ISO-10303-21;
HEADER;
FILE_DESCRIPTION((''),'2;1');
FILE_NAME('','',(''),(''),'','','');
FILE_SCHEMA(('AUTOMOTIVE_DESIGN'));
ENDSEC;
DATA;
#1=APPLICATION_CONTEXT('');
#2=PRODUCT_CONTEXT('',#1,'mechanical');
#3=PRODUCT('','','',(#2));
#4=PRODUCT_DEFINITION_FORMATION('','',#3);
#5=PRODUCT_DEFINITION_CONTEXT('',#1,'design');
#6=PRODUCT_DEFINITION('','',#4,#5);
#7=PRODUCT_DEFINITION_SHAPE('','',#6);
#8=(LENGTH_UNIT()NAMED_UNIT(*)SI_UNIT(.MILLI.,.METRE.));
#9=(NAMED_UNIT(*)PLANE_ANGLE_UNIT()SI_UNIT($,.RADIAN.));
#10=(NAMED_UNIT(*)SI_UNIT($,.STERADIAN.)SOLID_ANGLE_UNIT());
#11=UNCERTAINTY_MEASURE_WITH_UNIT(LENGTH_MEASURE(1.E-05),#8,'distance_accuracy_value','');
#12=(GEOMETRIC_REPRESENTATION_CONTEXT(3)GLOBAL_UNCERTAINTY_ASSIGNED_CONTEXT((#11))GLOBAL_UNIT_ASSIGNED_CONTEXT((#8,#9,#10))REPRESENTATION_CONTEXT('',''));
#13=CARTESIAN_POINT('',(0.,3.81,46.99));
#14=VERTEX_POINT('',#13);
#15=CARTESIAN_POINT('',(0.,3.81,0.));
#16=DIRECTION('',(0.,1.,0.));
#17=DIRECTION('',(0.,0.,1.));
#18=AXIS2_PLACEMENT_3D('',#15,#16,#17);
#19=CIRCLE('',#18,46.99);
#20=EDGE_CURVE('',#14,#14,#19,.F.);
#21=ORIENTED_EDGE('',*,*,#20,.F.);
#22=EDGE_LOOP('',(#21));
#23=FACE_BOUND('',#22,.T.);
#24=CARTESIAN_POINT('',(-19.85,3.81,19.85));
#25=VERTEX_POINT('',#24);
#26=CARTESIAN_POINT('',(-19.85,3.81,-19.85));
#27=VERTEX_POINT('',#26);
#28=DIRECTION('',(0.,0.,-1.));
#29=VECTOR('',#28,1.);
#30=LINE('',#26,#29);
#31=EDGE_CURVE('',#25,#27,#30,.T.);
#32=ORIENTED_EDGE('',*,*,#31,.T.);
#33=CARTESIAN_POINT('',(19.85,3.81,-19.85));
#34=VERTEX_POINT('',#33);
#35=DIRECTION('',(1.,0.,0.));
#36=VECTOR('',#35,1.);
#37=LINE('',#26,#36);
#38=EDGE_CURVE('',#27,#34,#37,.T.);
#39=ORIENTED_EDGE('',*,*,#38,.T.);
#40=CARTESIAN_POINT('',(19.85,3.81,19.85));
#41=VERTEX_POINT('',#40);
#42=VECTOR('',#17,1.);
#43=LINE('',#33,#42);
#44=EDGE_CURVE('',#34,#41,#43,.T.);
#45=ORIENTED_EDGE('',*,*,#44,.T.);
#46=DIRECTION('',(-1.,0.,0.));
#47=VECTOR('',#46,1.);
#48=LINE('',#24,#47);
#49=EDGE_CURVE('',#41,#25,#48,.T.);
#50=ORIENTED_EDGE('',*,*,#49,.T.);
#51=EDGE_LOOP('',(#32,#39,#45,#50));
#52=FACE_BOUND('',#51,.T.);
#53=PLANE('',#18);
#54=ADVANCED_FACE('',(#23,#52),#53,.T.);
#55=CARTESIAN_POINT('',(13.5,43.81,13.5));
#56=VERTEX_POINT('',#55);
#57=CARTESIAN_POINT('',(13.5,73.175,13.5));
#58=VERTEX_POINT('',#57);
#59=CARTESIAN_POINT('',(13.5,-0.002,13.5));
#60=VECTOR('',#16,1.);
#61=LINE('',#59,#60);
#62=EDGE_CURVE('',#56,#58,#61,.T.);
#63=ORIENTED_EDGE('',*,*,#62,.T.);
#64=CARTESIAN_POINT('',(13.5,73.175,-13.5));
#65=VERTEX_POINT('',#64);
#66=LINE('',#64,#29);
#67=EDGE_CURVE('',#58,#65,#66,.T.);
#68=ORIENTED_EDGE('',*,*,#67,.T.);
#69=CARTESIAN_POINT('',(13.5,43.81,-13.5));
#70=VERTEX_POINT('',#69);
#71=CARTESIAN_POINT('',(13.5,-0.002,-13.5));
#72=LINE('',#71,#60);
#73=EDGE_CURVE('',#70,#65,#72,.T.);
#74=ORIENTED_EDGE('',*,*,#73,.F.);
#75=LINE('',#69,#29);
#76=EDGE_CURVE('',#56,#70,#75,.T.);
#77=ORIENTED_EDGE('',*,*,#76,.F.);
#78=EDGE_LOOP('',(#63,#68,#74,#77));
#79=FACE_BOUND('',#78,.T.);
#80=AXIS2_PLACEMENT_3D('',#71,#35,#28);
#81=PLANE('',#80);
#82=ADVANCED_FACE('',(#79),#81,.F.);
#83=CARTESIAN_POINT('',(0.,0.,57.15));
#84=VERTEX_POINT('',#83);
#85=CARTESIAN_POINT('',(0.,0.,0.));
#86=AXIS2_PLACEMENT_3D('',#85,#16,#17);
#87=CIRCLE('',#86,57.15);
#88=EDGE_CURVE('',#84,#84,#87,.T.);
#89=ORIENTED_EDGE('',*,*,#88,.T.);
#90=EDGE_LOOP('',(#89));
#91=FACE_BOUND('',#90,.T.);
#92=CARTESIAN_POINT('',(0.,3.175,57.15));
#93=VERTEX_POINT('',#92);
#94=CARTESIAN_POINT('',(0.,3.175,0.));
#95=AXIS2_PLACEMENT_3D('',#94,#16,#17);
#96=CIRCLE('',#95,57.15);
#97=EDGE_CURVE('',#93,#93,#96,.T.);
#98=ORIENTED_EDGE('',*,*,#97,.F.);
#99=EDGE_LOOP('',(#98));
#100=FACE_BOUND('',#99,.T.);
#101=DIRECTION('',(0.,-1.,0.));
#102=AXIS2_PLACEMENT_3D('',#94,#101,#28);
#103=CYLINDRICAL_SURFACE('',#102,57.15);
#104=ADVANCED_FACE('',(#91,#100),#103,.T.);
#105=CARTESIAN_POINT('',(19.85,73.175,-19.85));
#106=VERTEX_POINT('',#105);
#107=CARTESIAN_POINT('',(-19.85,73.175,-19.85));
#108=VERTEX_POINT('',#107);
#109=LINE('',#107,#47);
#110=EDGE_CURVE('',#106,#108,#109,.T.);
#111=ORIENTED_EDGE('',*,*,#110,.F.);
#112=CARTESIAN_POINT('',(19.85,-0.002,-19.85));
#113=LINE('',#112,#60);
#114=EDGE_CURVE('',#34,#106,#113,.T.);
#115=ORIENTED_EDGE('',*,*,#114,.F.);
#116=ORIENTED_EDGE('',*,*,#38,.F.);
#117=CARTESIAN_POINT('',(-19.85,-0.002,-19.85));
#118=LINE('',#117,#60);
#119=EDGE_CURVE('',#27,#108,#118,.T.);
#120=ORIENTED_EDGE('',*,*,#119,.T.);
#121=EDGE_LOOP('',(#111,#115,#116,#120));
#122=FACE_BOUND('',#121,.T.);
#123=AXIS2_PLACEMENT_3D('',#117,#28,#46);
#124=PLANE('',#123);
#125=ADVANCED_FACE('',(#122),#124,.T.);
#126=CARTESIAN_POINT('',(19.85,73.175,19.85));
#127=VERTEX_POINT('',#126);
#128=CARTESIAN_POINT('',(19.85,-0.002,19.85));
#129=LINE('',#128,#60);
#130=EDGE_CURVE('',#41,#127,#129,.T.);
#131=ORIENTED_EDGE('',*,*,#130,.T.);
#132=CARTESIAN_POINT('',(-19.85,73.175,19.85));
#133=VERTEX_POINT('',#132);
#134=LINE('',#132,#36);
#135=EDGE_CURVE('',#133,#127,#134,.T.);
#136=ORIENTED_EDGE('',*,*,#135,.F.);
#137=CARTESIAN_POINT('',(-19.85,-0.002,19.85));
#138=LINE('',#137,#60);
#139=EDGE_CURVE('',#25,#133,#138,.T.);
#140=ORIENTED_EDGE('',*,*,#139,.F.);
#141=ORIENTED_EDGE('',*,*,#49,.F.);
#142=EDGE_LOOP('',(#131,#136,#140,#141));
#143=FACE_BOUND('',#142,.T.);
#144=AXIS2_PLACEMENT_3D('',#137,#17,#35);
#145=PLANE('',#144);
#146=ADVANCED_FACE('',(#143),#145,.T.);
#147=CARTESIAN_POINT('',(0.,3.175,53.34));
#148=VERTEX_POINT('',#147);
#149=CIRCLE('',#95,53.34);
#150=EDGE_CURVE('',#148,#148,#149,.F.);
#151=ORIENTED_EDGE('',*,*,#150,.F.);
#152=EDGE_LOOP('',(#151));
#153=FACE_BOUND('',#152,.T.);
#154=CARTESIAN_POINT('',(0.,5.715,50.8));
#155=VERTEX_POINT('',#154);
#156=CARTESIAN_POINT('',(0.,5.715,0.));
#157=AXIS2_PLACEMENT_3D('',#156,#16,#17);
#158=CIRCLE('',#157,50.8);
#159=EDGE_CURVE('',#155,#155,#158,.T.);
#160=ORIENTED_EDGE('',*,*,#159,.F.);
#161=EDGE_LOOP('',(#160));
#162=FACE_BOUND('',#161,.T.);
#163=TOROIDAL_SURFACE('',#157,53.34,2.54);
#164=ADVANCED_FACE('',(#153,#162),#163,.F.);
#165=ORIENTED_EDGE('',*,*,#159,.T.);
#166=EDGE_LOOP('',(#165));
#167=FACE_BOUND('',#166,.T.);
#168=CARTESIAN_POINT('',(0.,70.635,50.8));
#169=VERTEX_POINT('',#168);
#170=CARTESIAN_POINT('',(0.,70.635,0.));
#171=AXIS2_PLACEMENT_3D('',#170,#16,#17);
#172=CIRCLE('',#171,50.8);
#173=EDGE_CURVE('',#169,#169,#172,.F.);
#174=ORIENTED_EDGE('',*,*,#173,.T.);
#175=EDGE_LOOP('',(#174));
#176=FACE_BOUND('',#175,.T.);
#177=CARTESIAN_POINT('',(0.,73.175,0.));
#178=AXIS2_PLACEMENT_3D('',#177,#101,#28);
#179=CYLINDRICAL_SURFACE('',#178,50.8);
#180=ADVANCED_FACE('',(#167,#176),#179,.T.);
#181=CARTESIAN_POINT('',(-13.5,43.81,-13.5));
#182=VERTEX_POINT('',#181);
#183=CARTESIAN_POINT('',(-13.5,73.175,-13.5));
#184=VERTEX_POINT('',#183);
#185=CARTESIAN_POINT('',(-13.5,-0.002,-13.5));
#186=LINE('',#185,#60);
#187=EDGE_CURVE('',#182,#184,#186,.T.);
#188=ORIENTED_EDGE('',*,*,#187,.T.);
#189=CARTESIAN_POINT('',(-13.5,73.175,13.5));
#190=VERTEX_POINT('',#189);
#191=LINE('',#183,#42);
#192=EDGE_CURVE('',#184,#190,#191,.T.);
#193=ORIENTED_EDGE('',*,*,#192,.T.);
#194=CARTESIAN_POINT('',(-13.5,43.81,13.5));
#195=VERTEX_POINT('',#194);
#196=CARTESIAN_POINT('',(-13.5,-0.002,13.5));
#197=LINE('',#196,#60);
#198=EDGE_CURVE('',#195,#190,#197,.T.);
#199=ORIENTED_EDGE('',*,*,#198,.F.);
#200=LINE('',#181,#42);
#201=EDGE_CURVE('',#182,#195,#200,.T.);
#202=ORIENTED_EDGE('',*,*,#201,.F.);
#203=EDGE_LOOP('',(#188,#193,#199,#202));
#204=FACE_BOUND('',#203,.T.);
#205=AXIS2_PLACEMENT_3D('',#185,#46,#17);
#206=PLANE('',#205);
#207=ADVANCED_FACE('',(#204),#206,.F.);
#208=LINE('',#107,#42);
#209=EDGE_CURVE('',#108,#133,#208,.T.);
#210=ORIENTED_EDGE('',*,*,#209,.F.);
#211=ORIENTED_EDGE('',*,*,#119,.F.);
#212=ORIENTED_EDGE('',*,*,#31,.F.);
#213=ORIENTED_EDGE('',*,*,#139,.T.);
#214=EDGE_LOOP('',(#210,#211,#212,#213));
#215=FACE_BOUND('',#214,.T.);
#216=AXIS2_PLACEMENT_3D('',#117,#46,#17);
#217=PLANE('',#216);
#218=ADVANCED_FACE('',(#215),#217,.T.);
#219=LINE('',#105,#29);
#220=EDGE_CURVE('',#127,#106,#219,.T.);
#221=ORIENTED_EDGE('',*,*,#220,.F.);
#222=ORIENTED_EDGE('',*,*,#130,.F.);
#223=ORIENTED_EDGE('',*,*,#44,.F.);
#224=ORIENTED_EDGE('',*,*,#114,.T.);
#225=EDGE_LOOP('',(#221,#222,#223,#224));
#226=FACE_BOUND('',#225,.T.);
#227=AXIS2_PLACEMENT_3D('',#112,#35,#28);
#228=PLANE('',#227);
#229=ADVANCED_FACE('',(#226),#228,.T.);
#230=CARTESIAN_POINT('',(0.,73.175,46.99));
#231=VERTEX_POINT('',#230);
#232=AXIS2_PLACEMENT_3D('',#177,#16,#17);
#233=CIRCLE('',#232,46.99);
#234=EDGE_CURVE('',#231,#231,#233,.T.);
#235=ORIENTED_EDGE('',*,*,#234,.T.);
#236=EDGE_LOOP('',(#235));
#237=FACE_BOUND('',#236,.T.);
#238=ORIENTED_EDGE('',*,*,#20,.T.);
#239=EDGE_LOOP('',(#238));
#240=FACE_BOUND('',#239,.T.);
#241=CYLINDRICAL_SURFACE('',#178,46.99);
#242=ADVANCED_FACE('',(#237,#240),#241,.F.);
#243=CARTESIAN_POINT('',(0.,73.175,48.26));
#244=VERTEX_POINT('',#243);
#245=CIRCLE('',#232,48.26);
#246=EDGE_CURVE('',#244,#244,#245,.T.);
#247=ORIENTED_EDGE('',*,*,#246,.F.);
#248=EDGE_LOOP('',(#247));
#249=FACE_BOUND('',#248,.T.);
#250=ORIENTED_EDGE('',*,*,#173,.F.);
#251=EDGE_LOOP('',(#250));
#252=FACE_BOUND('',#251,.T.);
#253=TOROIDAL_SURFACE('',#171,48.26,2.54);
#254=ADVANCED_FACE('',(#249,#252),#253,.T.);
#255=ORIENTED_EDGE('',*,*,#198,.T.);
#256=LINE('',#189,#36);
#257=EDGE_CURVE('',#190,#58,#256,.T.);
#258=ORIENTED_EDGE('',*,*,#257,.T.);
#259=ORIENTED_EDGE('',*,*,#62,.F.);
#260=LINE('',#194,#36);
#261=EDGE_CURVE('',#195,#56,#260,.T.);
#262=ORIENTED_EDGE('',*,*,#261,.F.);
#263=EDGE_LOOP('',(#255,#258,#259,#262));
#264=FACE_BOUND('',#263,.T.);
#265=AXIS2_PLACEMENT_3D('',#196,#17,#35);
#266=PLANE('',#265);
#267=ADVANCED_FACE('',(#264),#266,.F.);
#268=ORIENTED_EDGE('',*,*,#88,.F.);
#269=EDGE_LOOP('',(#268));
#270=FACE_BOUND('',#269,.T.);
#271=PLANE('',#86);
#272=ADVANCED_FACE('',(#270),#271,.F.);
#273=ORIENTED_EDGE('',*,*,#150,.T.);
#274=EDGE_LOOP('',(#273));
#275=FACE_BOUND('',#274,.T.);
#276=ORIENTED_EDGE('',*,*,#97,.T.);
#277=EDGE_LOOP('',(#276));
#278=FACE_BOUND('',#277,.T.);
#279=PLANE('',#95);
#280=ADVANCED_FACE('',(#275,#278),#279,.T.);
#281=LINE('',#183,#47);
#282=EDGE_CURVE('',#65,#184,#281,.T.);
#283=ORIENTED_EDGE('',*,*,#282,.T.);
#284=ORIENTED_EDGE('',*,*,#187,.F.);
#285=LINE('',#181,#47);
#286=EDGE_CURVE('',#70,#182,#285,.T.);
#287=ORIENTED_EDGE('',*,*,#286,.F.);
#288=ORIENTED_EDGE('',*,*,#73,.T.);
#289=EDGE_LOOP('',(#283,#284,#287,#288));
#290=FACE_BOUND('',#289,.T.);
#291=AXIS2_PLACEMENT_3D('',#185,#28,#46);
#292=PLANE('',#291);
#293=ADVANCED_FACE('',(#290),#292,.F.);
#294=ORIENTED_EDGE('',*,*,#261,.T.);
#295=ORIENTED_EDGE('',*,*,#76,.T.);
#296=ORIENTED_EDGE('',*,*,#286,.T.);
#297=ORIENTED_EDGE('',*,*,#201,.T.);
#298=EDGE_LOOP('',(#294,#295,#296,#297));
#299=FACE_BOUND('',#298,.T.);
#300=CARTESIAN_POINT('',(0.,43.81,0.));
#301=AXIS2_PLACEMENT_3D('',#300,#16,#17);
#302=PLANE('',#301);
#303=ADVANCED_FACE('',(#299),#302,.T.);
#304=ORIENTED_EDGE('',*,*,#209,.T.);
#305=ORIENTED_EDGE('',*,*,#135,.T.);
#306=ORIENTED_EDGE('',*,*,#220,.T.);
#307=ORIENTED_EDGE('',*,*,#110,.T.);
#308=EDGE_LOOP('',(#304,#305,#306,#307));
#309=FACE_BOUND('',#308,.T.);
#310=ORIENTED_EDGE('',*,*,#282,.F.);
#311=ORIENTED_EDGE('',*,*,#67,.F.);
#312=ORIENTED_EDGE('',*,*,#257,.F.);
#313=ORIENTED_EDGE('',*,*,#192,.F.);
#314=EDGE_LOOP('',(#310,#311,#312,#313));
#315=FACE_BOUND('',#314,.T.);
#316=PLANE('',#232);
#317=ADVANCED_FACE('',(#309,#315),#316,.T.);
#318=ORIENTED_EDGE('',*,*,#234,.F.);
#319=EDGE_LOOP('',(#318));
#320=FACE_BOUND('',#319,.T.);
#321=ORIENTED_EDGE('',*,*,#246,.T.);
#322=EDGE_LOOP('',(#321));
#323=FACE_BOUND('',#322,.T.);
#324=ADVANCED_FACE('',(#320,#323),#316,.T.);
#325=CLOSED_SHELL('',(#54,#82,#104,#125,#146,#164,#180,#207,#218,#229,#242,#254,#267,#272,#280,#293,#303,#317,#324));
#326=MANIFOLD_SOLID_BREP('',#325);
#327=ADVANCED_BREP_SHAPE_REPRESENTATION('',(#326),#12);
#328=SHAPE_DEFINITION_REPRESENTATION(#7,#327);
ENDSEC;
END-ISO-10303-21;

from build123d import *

# Parameters (mm, degrees)
SKETCH1_R           = 57.15
BOSS_EXTRUDE1_DEPTH = 3.175
SKETCH2_R           = 50.8
BOSS_EXTRUDE2_DEPTH = 70
SHELL3_T            = -3.81
BOSS_EXTRUDE3_REACH = 111.027
SKETCH3_W           = 39.7
SKETCH3_H           = 39.7
SKETCH3_W_2         = 27
SKETCH3_H_2         = 27
FILLET2_R           = 2.54
SKETCH4_W           = 27
SKETCH4_H           = 27
BOSS_EXTRUDE5_DEPTH = 40


with BuildPart() as part:
    # Sketch1 → Boss-Extrude1 (new body)
    with BuildSketch(Plane(origin=(0, 0, 0), x_dir=(1, 0, 0), z_dir=(0, 1, 0))):
        with Locations(Location((0, 0, 0), (0, 0, 270))):
            Circle(SKETCH1_R)
    extrude(amount=BOSS_EXTRUDE1_DEPTH)

    # Sketch2 → Boss-Extrude2 (add)
    with BuildSketch(Plane(origin=(0, 3.175, 0), x_dir=(1, 0, 0), z_dir=(0, 1, 0))):
        with Locations(Location((0, 0, 0), (0, 0, 270))):
            Circle(SKETCH2_R)
    extrude(amount=BOSS_EXTRUDE2_DEPTH)

    # Shell3
    shell3_openings = [part.faces().sort_by_distance(p)[0] for p in [
        (0, 73.175, 0),
    ]]
    offset(amount=SHELL3_T, openings=shell3_openings, kind=Kind.INTERSECTION)

    # Sketch3 → Boss-Extrude3 (add, up to next)
    with BuildSketch(Plane(origin=(0, 73.175, 0), x_dir=(1, 0, 0), z_dir=(0, 1, 0)), mode=Mode.PRIVATE) as boss_extrude3_sk1:
        Rectangle(SKETCH3_W, SKETCH3_H)
        Rectangle(SKETCH3_W_2, SKETCH3_H_2, mode=Mode.SUBTRACT)
    boss_extrude3_tool1 = extrude(boss_extrude3_sk1.sketch, amount=-BOSS_EXTRUDE3_REACH, mode=Mode.PRIVATE) - part.part
    add(boss_extrude3_tool1.solids().sort_by_distance((0, 73.175, -19.288557))[0])

    # Fillet2
    fillet2_edges = [part.edges().sort_by_distance(p)[0] for p in [
        (0, 3.175, -50.8),
        (0, 73.175, -50.8),
    ]]
    fillet(fillet2_edges, radius=FILLET2_R)

    # Sketch4 → Boss-Extrude5 (add)
    with BuildSketch(Plane(origin=(0, 3.81, 0), x_dir=(1, 0, 0), z_dir=(0, 1, 0))):
        Rectangle(SKETCH4_W, SKETCH4_H)
    extrude(amount=BOSS_EXTRUDE5_DEPTH)


solid = part.part
